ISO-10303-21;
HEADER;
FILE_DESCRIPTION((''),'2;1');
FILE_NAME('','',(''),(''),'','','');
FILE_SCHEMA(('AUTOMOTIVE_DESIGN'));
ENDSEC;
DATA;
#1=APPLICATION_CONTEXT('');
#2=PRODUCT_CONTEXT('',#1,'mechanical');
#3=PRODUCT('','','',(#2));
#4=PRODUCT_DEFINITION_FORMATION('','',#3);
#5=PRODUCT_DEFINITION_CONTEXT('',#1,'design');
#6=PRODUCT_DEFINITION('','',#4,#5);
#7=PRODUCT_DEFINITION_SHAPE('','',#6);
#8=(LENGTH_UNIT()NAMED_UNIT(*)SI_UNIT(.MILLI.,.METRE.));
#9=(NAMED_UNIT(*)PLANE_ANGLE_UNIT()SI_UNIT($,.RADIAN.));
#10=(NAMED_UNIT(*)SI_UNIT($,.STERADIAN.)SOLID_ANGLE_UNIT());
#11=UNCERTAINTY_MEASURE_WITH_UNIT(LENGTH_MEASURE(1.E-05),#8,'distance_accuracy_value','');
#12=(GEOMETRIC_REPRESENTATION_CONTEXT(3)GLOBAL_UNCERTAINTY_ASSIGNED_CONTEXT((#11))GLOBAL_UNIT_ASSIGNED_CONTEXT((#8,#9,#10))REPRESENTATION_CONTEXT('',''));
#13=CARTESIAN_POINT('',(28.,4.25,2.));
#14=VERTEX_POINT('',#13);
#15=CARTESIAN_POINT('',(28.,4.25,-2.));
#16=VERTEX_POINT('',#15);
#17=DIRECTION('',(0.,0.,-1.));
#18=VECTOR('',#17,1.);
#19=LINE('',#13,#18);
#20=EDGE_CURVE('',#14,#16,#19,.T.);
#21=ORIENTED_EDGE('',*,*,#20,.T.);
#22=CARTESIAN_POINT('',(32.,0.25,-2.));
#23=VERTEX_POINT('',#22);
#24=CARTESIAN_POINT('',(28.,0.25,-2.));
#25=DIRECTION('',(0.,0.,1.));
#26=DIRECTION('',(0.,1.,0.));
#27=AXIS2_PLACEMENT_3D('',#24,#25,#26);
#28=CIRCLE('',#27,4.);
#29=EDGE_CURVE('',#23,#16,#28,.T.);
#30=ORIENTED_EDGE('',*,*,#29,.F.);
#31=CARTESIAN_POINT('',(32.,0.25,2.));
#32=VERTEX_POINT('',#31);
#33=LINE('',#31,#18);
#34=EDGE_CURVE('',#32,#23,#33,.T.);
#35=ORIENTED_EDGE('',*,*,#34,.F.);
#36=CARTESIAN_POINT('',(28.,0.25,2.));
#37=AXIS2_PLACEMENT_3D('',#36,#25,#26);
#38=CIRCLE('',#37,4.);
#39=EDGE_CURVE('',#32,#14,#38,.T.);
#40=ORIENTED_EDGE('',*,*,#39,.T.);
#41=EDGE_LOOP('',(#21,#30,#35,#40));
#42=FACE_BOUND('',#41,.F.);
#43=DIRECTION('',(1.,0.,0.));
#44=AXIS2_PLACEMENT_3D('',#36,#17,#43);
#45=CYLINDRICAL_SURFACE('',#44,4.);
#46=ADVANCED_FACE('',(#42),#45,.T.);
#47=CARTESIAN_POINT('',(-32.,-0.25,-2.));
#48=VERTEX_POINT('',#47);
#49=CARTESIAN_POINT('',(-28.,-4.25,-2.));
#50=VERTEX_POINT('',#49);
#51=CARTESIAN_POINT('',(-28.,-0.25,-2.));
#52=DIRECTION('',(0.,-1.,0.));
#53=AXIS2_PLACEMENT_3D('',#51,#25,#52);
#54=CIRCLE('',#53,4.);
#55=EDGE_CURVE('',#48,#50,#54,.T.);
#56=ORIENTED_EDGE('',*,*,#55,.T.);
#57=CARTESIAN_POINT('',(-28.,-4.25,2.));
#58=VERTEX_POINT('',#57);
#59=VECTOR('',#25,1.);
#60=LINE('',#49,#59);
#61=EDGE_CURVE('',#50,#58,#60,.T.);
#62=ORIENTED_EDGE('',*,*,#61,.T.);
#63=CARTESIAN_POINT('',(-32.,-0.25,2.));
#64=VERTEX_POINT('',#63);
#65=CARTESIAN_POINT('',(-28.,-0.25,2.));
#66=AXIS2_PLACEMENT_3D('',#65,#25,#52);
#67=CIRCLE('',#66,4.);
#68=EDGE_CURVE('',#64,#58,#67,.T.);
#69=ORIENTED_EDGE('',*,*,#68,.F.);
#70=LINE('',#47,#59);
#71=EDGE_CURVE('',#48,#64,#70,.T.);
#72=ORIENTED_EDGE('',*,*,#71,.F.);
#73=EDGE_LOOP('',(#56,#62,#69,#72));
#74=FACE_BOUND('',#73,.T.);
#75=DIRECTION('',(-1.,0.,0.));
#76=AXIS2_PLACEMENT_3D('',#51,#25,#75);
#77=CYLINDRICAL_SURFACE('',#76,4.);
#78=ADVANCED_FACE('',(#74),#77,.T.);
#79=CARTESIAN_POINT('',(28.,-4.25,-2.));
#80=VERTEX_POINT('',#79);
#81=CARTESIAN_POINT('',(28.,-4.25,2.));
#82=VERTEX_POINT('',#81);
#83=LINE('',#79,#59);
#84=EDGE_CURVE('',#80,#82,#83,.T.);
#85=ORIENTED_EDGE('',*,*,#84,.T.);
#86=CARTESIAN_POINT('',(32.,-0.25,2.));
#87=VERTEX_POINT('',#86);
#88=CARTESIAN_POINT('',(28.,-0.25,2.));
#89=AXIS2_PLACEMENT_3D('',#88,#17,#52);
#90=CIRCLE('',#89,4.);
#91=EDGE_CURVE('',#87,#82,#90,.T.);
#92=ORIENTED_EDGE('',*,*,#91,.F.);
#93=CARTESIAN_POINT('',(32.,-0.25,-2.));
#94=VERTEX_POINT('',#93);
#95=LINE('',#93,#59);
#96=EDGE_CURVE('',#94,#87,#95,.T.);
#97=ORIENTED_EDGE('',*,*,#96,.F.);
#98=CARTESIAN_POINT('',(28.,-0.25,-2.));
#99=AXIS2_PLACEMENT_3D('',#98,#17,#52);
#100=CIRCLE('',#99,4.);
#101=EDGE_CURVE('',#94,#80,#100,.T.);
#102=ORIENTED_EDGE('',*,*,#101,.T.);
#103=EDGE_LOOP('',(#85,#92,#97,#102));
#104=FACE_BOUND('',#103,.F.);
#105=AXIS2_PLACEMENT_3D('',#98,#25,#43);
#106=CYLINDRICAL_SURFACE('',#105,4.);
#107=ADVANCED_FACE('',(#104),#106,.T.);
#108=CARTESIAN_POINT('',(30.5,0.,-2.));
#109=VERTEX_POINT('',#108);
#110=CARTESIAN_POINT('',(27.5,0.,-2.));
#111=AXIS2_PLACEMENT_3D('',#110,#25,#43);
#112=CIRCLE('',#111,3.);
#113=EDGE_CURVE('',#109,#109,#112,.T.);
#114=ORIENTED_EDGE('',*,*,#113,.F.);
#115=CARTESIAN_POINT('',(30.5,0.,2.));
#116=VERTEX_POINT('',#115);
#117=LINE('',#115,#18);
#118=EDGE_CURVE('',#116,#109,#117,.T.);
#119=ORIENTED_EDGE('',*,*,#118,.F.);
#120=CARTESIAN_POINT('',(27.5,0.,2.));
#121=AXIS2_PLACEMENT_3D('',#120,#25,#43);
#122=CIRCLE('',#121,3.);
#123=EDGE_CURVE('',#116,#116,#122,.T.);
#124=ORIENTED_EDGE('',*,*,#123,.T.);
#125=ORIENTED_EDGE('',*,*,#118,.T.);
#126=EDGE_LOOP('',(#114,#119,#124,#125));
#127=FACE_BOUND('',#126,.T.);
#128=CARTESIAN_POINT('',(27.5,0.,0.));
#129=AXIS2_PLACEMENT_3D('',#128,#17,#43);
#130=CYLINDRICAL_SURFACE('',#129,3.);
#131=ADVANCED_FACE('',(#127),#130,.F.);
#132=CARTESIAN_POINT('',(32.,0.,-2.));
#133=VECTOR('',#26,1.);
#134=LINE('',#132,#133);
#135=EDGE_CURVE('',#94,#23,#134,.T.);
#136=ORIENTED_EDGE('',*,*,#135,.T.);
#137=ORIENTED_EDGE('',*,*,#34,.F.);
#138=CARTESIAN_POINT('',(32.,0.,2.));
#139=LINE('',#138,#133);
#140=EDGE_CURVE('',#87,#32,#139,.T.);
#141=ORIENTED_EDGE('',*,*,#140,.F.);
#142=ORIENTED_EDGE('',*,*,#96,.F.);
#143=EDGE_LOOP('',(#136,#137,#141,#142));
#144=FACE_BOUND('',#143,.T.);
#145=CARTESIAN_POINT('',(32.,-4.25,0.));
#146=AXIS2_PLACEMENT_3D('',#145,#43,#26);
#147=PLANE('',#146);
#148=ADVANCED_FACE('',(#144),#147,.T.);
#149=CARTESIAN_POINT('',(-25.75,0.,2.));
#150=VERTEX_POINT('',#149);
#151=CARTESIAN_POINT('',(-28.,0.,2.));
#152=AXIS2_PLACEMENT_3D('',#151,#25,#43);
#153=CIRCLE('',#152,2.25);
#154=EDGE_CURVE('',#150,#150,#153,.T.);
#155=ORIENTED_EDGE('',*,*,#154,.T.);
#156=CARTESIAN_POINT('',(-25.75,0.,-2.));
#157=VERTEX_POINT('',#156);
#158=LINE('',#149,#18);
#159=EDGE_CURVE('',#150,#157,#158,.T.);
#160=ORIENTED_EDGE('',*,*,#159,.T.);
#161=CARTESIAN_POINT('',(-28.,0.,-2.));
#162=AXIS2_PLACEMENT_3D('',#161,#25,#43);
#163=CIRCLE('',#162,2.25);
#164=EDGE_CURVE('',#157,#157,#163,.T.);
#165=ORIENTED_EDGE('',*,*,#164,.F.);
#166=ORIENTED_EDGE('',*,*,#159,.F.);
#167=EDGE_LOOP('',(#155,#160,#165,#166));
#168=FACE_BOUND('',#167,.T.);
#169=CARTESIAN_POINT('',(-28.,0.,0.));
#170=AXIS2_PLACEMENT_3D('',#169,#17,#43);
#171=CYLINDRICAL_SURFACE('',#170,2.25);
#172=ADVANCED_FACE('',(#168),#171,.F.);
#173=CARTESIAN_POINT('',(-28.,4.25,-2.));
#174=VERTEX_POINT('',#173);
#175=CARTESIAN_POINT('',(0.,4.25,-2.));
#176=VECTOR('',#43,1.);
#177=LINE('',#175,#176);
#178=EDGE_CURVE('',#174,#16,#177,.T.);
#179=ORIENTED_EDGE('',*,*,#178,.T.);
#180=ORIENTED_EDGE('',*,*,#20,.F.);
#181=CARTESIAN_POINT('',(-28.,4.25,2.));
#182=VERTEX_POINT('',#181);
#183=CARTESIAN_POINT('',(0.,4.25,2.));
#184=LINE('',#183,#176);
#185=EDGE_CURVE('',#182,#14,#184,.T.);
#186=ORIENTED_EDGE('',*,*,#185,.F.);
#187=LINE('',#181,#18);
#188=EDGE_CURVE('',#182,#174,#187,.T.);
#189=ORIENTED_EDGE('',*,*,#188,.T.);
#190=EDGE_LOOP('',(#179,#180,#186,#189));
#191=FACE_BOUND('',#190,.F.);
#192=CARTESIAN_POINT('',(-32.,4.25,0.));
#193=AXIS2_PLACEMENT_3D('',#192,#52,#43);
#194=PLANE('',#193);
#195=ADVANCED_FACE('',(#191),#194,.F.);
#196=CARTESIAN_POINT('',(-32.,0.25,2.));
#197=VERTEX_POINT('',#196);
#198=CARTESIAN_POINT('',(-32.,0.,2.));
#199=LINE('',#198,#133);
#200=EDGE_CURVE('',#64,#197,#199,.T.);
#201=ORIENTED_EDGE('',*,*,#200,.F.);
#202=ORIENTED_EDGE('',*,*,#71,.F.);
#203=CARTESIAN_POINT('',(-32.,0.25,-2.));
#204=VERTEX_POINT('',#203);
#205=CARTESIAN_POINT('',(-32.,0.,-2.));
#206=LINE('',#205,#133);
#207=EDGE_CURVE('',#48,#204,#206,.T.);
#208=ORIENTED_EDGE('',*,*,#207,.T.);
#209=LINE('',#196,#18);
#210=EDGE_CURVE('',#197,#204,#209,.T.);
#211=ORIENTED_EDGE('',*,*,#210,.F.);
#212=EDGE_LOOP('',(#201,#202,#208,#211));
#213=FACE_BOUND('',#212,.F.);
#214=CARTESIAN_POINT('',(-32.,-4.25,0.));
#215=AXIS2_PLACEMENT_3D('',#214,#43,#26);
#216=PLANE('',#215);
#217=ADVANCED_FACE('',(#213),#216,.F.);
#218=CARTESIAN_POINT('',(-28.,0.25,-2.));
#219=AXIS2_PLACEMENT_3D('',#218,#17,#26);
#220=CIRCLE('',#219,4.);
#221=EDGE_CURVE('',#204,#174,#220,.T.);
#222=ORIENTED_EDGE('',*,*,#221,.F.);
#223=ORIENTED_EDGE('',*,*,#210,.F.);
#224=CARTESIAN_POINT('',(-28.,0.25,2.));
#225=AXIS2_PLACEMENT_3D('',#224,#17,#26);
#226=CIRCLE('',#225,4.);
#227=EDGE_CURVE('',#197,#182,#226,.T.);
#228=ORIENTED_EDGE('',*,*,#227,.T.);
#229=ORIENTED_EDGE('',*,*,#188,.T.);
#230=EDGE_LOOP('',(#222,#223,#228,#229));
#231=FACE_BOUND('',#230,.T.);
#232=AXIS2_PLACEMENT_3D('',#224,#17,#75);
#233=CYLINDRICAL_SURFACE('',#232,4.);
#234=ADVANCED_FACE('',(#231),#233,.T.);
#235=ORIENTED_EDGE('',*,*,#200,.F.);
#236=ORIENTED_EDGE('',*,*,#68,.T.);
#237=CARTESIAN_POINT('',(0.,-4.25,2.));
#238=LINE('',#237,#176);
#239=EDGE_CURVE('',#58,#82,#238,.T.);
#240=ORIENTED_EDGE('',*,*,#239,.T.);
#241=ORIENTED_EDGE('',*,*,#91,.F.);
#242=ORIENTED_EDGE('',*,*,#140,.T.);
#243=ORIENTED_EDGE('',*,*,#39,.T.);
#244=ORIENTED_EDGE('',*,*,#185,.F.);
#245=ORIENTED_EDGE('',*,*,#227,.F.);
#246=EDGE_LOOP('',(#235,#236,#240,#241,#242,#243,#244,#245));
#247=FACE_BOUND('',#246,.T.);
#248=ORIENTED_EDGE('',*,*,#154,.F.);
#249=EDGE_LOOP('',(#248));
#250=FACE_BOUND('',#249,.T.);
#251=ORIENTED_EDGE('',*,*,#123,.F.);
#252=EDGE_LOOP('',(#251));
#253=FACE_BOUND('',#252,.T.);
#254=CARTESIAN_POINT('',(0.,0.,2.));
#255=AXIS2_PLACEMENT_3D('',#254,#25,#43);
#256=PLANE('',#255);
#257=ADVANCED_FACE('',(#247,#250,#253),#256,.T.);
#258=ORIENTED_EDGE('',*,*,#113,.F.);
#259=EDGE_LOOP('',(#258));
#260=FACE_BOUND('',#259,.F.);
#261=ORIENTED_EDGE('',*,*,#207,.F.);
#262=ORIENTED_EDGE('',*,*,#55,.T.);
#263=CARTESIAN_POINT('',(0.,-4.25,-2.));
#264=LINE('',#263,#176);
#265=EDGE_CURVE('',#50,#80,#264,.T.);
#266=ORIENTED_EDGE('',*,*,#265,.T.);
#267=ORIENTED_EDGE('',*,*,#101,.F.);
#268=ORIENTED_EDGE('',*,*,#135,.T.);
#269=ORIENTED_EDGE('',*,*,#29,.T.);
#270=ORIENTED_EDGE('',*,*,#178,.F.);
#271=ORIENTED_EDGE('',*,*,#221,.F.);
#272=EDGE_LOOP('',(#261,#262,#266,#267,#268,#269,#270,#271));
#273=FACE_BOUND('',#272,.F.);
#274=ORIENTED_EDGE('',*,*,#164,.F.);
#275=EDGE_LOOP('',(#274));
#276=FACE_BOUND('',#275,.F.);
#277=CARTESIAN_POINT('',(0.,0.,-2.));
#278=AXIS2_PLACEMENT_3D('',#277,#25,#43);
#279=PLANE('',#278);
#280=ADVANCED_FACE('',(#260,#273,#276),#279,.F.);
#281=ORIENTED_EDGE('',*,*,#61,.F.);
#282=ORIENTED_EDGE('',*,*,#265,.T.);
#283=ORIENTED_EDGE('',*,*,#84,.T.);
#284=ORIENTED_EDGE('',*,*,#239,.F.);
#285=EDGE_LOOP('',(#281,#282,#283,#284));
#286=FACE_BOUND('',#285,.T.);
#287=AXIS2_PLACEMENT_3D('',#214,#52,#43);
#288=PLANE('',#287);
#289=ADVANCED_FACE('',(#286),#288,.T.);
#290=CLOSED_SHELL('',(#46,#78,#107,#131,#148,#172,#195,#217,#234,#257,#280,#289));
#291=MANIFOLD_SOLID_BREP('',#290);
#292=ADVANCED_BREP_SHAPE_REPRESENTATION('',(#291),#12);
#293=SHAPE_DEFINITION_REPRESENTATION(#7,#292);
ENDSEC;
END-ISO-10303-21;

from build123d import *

# Parameters (mm, degrees)
F0_W     = 64
F0_H     = 8.5
F0_R     = 2.25
F0_R_2   = 3
F1_DEPTH = 2
F2_R     = 4


with BuildPart() as f1:
    # F0 (on Top) → F1 (new body, symmetric)
    with BuildSketch(Plane.XY):
        Rectangle(F0_W, F0_H)
        with Locations((-28, 0)):
            Circle(F0_R, mode=Mode.SUBTRACT)
        with Locations((27.5, 0)):
            Circle(F0_R_2, mode=Mode.SUBTRACT)
    extrude(amount=F1_DEPTH, both=True)

    # F2
    f2_edges = [f1.edges().sort_by_distance(p)[0] for p in [
        (-32, 4.25, 0),
        (-32, -4.25, 0),
        (32, 4.25, 0),
        (32, -4.25, 0),
    ]]
    fillet(f2_edges, radius=F2_R)


solid = f1.part
